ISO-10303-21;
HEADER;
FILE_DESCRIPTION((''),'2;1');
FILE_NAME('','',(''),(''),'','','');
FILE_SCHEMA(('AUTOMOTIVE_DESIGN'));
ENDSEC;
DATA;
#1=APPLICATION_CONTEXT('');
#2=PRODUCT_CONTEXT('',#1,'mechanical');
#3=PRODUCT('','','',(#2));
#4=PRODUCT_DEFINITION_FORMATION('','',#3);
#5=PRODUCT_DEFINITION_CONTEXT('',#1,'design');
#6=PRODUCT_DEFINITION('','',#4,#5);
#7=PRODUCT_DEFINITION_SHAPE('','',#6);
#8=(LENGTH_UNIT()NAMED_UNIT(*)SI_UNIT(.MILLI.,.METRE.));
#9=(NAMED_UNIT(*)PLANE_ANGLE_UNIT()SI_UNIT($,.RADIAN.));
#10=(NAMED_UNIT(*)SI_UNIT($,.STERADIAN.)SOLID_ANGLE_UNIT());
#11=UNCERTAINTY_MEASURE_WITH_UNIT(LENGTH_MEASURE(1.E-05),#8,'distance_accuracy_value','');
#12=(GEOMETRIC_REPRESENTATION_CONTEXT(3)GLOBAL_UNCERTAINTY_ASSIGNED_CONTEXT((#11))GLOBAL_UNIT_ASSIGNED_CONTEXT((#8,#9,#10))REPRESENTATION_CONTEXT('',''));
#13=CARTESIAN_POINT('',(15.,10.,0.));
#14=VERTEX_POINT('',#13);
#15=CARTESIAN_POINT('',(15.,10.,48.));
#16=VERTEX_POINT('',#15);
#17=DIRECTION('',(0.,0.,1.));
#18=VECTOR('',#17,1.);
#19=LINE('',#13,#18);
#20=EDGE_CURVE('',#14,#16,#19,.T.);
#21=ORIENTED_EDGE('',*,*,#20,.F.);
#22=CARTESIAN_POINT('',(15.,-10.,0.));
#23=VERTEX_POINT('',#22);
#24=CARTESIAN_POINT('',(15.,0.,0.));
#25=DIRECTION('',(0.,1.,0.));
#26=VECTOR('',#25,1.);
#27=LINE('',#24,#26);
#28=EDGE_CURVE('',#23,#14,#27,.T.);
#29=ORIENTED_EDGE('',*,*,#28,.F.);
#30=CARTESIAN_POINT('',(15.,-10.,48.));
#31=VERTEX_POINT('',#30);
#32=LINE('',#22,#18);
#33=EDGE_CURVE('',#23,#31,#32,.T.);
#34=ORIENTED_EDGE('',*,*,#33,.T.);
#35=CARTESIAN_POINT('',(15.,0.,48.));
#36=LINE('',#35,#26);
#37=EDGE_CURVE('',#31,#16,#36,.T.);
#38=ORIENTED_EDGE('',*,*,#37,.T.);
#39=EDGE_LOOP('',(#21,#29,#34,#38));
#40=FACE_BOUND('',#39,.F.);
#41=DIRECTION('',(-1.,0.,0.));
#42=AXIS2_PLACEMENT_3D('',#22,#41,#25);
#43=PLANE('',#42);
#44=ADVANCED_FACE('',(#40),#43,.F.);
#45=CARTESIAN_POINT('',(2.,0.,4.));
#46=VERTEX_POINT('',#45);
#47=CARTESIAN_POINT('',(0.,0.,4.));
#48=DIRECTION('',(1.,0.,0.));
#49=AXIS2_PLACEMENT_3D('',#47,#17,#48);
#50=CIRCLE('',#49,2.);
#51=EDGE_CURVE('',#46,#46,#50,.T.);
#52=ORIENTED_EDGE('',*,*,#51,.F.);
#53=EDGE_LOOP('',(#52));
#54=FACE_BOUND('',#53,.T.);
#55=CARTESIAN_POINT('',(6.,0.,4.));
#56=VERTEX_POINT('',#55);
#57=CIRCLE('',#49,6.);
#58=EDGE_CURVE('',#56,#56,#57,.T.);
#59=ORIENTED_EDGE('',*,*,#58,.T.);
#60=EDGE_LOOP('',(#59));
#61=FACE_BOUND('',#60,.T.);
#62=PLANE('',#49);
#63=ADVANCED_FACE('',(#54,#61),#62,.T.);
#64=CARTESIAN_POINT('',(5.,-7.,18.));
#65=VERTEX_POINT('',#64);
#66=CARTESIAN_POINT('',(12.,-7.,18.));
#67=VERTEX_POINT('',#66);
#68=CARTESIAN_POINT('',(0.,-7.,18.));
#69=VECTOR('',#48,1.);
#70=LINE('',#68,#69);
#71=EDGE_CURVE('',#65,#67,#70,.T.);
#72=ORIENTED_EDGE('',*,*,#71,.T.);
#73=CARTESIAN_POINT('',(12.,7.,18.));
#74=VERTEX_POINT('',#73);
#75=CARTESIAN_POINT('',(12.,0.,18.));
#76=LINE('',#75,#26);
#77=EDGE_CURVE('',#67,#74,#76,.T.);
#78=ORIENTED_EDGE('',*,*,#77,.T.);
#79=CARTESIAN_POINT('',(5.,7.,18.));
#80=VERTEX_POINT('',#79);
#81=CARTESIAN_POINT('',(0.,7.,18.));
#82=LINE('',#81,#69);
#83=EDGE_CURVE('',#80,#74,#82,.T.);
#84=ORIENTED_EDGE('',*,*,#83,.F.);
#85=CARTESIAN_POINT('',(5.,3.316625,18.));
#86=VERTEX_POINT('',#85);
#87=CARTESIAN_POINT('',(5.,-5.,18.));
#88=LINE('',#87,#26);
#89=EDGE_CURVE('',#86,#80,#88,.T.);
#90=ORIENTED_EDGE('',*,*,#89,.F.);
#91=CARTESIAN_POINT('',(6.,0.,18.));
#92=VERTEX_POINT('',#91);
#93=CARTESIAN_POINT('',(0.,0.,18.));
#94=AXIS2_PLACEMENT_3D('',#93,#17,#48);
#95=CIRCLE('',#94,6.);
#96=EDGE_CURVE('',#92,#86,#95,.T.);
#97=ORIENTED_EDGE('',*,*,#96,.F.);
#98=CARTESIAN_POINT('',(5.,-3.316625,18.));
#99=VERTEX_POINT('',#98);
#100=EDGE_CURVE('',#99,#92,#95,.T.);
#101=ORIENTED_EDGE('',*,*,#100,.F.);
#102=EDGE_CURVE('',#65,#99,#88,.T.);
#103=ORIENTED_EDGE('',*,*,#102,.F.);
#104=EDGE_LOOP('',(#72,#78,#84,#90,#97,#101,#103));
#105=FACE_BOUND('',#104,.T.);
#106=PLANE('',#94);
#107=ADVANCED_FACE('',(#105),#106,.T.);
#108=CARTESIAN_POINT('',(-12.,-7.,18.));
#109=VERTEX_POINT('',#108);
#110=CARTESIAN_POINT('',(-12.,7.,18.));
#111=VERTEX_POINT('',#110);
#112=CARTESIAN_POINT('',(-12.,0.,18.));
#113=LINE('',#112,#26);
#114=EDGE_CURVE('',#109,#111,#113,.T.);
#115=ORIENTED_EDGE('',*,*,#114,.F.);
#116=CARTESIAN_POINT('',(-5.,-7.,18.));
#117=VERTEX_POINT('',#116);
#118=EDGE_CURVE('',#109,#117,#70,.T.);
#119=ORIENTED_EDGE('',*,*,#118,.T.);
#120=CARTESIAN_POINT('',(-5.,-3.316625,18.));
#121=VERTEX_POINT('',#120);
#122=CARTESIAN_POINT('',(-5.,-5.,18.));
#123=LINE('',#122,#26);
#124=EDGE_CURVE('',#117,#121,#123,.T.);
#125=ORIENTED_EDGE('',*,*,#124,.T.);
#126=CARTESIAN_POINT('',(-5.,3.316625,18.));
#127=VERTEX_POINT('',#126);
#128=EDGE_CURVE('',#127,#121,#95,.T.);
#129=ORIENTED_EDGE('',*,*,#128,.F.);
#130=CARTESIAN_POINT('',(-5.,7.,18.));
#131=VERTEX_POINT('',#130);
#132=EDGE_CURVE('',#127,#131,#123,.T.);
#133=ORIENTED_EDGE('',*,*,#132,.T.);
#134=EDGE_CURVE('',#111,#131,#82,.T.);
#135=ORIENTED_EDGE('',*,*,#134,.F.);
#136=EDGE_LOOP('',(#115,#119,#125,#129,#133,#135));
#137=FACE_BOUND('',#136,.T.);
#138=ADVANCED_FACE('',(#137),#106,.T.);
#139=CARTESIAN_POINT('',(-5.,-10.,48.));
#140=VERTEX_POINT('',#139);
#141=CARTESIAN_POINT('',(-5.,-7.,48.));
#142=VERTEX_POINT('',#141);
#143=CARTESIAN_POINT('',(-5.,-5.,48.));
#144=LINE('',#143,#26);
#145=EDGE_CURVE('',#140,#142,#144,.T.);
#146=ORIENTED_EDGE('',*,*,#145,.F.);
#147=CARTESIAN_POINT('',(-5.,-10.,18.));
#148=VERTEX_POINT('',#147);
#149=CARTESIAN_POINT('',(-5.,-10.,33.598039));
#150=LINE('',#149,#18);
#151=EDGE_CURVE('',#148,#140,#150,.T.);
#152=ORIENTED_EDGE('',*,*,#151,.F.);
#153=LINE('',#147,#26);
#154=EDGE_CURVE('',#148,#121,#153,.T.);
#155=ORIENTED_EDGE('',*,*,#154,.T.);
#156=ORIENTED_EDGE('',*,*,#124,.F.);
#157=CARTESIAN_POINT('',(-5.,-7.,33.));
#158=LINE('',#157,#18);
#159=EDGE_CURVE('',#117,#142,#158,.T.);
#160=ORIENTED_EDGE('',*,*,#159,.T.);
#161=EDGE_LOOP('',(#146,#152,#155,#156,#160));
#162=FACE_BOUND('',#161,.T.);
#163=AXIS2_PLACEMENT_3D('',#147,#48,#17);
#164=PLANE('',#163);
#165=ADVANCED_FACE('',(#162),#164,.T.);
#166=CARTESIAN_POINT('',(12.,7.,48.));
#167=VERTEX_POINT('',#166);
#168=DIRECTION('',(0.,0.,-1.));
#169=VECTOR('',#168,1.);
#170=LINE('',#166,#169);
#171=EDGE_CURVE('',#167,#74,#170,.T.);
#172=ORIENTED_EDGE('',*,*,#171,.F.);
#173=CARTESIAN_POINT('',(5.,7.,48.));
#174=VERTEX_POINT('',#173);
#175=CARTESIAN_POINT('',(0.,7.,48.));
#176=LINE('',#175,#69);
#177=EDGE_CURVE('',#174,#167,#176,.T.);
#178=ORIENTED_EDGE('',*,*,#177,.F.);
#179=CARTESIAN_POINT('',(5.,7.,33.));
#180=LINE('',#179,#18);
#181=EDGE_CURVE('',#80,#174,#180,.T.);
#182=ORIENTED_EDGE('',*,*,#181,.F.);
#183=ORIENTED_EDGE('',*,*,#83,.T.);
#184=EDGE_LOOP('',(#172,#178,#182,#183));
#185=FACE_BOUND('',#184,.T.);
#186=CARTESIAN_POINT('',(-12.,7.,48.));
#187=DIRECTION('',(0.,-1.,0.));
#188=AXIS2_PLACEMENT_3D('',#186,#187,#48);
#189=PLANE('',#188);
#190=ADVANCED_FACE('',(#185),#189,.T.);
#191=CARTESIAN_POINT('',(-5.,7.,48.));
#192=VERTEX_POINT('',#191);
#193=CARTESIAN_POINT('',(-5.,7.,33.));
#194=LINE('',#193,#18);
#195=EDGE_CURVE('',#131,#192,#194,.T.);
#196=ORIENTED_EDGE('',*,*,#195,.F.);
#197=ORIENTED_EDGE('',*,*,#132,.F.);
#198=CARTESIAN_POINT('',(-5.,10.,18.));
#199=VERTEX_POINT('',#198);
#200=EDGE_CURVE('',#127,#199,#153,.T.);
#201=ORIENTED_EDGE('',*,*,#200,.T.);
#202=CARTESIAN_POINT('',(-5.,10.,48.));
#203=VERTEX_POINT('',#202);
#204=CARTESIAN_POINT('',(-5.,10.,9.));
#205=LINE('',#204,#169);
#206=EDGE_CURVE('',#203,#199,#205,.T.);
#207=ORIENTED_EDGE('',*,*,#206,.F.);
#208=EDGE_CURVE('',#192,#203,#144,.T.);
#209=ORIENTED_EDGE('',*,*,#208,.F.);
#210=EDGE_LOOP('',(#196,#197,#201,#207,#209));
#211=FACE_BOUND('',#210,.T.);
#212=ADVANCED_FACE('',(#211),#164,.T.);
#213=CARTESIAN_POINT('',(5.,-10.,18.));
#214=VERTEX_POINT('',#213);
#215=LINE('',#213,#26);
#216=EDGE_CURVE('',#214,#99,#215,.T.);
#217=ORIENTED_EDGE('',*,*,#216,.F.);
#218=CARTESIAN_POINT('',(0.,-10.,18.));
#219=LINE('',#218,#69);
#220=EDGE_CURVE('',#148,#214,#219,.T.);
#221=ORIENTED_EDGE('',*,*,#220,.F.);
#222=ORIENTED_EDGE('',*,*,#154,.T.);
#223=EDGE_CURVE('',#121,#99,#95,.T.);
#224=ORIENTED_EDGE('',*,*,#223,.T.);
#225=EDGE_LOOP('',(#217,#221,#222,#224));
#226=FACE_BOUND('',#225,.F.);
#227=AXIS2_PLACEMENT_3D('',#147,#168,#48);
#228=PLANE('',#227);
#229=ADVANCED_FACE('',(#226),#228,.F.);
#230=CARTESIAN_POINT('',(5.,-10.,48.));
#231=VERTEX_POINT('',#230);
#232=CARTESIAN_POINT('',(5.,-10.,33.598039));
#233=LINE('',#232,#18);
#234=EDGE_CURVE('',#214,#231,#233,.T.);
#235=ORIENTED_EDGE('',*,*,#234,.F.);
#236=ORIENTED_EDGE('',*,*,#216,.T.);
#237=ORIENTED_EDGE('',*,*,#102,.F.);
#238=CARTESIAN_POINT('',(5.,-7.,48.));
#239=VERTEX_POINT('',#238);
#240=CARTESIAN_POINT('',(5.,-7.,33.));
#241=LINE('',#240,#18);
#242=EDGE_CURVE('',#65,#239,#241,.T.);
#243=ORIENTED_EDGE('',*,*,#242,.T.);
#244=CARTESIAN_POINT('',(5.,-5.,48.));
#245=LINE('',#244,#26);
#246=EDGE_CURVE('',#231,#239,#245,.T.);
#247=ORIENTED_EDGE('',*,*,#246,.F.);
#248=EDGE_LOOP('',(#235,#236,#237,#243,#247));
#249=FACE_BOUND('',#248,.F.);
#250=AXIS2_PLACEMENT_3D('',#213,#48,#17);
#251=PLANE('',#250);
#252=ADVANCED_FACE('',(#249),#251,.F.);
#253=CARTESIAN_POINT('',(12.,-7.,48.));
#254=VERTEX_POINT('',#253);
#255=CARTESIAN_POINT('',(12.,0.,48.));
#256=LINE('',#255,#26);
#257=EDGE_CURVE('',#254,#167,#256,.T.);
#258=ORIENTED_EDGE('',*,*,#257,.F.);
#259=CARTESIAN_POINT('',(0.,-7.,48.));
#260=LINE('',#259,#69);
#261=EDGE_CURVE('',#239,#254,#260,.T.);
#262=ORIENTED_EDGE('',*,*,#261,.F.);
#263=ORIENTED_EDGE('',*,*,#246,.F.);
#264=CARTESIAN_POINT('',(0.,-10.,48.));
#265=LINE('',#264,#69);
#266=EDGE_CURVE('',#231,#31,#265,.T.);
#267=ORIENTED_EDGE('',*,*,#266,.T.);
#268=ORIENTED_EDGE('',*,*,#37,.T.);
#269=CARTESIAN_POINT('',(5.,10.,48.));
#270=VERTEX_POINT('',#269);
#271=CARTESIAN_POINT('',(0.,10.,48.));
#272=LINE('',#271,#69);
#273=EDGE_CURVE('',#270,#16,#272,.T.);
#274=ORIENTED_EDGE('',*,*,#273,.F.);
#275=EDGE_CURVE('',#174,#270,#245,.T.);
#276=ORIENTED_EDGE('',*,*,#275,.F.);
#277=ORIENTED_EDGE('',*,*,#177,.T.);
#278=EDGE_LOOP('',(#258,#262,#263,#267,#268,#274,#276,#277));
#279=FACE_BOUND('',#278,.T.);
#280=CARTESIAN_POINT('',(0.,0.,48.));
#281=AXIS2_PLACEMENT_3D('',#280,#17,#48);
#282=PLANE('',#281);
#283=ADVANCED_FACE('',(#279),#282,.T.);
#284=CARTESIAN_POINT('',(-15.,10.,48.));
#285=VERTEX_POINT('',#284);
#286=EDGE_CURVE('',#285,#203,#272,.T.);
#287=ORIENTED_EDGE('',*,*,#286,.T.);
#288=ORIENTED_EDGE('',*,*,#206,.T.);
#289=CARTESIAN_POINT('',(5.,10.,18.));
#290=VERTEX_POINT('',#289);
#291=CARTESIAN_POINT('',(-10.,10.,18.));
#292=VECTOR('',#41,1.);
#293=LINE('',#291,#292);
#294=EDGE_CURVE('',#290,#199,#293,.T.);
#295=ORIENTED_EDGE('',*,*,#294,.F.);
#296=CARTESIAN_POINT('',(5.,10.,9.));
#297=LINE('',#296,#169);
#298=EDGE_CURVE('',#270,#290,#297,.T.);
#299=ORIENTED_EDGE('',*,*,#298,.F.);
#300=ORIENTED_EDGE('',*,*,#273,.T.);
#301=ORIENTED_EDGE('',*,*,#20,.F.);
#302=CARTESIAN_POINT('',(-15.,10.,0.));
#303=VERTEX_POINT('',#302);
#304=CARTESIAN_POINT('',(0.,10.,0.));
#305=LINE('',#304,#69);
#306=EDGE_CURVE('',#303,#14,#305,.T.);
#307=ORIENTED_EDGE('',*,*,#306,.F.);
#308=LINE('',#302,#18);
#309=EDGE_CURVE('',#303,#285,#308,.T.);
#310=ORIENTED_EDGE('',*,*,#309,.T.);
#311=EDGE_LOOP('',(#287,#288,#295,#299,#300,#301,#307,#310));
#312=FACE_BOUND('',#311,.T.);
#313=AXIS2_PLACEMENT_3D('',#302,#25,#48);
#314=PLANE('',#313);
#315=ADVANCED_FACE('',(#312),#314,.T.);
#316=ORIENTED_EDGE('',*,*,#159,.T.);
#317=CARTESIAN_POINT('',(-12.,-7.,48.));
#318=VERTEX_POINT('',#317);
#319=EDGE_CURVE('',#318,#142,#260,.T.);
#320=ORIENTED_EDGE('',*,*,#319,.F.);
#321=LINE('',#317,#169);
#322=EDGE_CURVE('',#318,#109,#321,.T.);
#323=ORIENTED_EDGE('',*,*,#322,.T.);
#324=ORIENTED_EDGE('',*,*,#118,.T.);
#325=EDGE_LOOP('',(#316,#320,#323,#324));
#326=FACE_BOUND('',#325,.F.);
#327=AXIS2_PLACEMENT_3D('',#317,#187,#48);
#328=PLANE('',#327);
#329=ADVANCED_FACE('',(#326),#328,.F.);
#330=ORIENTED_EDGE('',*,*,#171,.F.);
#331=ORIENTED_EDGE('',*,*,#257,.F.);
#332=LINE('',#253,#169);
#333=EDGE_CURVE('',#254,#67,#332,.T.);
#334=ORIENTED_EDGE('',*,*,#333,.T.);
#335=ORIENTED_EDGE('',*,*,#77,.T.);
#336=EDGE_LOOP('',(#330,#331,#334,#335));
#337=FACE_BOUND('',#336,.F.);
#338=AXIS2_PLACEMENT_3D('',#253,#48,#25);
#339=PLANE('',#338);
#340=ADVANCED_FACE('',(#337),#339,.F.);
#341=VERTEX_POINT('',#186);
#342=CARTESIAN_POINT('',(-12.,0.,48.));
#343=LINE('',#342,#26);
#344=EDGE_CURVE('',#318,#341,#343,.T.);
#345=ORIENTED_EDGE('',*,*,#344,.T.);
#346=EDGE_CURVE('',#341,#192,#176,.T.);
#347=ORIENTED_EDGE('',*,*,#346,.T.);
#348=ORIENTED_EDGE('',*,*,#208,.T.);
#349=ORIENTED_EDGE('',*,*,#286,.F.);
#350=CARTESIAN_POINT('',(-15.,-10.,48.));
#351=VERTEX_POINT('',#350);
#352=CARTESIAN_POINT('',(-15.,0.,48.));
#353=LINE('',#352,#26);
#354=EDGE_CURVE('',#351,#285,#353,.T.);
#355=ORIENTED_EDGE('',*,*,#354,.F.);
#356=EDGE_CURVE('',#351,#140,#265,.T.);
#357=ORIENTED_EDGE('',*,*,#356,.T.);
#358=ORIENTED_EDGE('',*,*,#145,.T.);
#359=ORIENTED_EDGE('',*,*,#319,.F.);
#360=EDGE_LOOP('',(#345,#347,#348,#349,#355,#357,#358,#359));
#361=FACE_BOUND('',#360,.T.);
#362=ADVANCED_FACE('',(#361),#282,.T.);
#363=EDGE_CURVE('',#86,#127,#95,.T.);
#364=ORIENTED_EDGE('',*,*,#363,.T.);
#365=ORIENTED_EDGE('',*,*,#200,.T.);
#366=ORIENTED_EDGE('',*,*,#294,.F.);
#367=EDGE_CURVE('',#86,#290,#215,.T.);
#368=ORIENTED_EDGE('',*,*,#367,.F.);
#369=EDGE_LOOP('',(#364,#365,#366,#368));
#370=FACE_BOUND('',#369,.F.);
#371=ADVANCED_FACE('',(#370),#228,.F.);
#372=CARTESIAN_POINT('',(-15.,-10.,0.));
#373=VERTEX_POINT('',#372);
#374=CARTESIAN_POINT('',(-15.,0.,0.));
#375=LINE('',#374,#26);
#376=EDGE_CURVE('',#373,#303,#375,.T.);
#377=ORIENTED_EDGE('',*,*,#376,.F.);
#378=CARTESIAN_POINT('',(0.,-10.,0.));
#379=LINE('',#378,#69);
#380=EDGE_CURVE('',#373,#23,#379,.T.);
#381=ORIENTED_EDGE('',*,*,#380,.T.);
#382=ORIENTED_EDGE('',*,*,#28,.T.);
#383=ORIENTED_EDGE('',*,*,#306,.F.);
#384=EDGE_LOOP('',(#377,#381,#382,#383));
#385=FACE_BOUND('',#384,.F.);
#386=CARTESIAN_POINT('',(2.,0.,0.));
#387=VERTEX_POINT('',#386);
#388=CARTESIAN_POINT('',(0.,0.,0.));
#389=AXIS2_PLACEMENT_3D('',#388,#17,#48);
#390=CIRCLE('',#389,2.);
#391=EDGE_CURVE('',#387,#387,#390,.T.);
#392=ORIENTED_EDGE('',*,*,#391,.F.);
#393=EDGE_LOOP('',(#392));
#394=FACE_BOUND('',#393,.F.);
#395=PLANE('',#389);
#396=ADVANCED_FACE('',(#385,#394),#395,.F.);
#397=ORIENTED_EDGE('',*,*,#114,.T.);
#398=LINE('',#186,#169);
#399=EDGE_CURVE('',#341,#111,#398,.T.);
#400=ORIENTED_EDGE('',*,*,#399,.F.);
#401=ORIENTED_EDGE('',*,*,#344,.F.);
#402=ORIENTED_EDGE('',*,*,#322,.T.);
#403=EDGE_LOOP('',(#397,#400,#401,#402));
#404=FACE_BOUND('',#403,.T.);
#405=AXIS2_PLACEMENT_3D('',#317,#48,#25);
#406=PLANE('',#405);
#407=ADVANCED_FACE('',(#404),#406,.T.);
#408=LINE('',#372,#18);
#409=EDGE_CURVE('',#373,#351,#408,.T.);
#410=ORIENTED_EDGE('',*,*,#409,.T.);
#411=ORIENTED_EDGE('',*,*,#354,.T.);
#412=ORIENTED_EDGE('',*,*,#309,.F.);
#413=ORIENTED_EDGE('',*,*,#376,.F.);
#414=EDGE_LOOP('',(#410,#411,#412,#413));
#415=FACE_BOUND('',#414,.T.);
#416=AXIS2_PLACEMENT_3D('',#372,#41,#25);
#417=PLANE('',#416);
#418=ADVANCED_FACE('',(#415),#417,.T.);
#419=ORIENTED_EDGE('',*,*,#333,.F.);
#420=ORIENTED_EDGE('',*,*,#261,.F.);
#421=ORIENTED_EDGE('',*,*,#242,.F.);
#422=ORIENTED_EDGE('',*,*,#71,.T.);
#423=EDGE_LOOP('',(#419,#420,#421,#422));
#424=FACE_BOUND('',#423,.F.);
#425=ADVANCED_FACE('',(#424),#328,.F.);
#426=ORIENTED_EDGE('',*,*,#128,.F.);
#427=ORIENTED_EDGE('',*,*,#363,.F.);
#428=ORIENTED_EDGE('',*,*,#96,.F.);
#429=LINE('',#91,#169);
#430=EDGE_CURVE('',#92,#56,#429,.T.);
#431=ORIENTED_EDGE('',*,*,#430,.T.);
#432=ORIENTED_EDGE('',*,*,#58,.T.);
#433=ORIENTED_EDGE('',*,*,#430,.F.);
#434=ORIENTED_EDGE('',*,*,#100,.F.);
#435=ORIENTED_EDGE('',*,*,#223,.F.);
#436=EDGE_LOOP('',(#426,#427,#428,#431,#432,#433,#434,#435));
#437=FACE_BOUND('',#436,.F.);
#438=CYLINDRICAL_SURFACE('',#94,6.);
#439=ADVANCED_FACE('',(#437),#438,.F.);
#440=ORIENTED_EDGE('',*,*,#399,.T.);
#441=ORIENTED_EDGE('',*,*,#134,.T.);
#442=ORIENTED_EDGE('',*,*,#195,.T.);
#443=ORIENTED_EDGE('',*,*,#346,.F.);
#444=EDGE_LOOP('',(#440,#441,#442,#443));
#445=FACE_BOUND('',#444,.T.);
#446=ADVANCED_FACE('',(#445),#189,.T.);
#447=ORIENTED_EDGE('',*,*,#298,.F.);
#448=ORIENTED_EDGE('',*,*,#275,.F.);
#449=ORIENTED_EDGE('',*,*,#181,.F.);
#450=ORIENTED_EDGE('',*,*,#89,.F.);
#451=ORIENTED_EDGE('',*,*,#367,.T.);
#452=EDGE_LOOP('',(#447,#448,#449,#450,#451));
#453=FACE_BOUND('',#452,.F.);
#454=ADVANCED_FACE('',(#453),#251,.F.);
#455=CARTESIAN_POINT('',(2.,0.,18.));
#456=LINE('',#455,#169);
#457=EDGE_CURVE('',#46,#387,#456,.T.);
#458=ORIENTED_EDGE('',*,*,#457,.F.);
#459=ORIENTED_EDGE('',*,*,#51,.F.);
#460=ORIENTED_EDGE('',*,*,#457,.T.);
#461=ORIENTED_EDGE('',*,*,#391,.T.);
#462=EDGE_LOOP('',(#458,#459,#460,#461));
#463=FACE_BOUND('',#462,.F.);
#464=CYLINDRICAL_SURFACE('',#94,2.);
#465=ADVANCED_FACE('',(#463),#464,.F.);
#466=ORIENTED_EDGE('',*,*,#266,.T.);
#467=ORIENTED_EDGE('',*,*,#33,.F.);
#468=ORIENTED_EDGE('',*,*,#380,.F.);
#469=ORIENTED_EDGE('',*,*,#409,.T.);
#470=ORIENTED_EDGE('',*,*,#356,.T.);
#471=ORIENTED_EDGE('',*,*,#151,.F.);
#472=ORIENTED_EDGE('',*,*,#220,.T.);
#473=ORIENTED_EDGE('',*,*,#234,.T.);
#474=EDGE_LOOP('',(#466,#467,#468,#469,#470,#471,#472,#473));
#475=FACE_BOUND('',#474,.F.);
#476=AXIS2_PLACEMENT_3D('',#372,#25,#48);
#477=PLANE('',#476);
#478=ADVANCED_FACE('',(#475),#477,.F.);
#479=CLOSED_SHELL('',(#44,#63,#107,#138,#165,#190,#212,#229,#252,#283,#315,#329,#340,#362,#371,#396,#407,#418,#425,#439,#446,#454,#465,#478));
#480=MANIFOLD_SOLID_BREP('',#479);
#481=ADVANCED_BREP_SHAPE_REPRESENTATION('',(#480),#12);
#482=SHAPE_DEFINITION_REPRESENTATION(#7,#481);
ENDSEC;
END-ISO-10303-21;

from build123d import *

# Parameters (mm, degrees)
SKETCH_W        = 30
SKETCH_H        = 20
PAD_DEPTH       = 48
SKETCH001_W     = 24
SKETCH001_H     = 14
POCKET_DEPTH    = 30
SKETCH002_R     = 2
POCKET001_DEPTH = 18.001
SKETCH003_R     = 6
POCKET002_DEPTH = 14
SKETCH004_W     = 10
SKETCH004_H     = 31.196079
POCKET003_DEPTH = 20.001


with BuildPart() as part:
    # Sketch → Pad (new body)
    with BuildSketch(Plane.XY):
        Rectangle(SKETCH_W, SKETCH_H)
    extrude(amount=PAD_DEPTH)

    # Sketch001 (on Face6 of Pad) → Pocket (cut)
    with BuildSketch(Plane.XY.offset(48)):
        Rectangle(SKETCH001_W, SKETCH001_H)
    extrude(amount=-POCKET_DEPTH, mode=Mode.SUBTRACT)

    # Sketch002 (on Face11 of Pocket) → Pocket001 (cut, through all)
    with BuildSketch(Plane.XY.offset(18)):
        Circle(SKETCH002_R)
    extrude(amount=-POCKET001_DEPTH, mode=Mode.SUBTRACT)

    # Sketch003 (on Face12 of Pocket001) → Pocket002 (cut)
    with BuildSketch(Plane.XY.offset(18)):
        Circle(SKETCH003_R)
    extrude(amount=-POCKET002_DEPTH, mode=Mode.SUBTRACT)

    # Sketch004 (on Face6 of Pocket002) → Pocket003 (cut, through all)
    with BuildSketch(Plane.XZ.offset(10)):
        with Locations((0, 33.598039)):
            Rectangle(SKETCH004_W, SKETCH004_H)
    extrude(amount=-POCKET003_DEPTH, mode=Mode.SUBTRACT)


solid = part.part
